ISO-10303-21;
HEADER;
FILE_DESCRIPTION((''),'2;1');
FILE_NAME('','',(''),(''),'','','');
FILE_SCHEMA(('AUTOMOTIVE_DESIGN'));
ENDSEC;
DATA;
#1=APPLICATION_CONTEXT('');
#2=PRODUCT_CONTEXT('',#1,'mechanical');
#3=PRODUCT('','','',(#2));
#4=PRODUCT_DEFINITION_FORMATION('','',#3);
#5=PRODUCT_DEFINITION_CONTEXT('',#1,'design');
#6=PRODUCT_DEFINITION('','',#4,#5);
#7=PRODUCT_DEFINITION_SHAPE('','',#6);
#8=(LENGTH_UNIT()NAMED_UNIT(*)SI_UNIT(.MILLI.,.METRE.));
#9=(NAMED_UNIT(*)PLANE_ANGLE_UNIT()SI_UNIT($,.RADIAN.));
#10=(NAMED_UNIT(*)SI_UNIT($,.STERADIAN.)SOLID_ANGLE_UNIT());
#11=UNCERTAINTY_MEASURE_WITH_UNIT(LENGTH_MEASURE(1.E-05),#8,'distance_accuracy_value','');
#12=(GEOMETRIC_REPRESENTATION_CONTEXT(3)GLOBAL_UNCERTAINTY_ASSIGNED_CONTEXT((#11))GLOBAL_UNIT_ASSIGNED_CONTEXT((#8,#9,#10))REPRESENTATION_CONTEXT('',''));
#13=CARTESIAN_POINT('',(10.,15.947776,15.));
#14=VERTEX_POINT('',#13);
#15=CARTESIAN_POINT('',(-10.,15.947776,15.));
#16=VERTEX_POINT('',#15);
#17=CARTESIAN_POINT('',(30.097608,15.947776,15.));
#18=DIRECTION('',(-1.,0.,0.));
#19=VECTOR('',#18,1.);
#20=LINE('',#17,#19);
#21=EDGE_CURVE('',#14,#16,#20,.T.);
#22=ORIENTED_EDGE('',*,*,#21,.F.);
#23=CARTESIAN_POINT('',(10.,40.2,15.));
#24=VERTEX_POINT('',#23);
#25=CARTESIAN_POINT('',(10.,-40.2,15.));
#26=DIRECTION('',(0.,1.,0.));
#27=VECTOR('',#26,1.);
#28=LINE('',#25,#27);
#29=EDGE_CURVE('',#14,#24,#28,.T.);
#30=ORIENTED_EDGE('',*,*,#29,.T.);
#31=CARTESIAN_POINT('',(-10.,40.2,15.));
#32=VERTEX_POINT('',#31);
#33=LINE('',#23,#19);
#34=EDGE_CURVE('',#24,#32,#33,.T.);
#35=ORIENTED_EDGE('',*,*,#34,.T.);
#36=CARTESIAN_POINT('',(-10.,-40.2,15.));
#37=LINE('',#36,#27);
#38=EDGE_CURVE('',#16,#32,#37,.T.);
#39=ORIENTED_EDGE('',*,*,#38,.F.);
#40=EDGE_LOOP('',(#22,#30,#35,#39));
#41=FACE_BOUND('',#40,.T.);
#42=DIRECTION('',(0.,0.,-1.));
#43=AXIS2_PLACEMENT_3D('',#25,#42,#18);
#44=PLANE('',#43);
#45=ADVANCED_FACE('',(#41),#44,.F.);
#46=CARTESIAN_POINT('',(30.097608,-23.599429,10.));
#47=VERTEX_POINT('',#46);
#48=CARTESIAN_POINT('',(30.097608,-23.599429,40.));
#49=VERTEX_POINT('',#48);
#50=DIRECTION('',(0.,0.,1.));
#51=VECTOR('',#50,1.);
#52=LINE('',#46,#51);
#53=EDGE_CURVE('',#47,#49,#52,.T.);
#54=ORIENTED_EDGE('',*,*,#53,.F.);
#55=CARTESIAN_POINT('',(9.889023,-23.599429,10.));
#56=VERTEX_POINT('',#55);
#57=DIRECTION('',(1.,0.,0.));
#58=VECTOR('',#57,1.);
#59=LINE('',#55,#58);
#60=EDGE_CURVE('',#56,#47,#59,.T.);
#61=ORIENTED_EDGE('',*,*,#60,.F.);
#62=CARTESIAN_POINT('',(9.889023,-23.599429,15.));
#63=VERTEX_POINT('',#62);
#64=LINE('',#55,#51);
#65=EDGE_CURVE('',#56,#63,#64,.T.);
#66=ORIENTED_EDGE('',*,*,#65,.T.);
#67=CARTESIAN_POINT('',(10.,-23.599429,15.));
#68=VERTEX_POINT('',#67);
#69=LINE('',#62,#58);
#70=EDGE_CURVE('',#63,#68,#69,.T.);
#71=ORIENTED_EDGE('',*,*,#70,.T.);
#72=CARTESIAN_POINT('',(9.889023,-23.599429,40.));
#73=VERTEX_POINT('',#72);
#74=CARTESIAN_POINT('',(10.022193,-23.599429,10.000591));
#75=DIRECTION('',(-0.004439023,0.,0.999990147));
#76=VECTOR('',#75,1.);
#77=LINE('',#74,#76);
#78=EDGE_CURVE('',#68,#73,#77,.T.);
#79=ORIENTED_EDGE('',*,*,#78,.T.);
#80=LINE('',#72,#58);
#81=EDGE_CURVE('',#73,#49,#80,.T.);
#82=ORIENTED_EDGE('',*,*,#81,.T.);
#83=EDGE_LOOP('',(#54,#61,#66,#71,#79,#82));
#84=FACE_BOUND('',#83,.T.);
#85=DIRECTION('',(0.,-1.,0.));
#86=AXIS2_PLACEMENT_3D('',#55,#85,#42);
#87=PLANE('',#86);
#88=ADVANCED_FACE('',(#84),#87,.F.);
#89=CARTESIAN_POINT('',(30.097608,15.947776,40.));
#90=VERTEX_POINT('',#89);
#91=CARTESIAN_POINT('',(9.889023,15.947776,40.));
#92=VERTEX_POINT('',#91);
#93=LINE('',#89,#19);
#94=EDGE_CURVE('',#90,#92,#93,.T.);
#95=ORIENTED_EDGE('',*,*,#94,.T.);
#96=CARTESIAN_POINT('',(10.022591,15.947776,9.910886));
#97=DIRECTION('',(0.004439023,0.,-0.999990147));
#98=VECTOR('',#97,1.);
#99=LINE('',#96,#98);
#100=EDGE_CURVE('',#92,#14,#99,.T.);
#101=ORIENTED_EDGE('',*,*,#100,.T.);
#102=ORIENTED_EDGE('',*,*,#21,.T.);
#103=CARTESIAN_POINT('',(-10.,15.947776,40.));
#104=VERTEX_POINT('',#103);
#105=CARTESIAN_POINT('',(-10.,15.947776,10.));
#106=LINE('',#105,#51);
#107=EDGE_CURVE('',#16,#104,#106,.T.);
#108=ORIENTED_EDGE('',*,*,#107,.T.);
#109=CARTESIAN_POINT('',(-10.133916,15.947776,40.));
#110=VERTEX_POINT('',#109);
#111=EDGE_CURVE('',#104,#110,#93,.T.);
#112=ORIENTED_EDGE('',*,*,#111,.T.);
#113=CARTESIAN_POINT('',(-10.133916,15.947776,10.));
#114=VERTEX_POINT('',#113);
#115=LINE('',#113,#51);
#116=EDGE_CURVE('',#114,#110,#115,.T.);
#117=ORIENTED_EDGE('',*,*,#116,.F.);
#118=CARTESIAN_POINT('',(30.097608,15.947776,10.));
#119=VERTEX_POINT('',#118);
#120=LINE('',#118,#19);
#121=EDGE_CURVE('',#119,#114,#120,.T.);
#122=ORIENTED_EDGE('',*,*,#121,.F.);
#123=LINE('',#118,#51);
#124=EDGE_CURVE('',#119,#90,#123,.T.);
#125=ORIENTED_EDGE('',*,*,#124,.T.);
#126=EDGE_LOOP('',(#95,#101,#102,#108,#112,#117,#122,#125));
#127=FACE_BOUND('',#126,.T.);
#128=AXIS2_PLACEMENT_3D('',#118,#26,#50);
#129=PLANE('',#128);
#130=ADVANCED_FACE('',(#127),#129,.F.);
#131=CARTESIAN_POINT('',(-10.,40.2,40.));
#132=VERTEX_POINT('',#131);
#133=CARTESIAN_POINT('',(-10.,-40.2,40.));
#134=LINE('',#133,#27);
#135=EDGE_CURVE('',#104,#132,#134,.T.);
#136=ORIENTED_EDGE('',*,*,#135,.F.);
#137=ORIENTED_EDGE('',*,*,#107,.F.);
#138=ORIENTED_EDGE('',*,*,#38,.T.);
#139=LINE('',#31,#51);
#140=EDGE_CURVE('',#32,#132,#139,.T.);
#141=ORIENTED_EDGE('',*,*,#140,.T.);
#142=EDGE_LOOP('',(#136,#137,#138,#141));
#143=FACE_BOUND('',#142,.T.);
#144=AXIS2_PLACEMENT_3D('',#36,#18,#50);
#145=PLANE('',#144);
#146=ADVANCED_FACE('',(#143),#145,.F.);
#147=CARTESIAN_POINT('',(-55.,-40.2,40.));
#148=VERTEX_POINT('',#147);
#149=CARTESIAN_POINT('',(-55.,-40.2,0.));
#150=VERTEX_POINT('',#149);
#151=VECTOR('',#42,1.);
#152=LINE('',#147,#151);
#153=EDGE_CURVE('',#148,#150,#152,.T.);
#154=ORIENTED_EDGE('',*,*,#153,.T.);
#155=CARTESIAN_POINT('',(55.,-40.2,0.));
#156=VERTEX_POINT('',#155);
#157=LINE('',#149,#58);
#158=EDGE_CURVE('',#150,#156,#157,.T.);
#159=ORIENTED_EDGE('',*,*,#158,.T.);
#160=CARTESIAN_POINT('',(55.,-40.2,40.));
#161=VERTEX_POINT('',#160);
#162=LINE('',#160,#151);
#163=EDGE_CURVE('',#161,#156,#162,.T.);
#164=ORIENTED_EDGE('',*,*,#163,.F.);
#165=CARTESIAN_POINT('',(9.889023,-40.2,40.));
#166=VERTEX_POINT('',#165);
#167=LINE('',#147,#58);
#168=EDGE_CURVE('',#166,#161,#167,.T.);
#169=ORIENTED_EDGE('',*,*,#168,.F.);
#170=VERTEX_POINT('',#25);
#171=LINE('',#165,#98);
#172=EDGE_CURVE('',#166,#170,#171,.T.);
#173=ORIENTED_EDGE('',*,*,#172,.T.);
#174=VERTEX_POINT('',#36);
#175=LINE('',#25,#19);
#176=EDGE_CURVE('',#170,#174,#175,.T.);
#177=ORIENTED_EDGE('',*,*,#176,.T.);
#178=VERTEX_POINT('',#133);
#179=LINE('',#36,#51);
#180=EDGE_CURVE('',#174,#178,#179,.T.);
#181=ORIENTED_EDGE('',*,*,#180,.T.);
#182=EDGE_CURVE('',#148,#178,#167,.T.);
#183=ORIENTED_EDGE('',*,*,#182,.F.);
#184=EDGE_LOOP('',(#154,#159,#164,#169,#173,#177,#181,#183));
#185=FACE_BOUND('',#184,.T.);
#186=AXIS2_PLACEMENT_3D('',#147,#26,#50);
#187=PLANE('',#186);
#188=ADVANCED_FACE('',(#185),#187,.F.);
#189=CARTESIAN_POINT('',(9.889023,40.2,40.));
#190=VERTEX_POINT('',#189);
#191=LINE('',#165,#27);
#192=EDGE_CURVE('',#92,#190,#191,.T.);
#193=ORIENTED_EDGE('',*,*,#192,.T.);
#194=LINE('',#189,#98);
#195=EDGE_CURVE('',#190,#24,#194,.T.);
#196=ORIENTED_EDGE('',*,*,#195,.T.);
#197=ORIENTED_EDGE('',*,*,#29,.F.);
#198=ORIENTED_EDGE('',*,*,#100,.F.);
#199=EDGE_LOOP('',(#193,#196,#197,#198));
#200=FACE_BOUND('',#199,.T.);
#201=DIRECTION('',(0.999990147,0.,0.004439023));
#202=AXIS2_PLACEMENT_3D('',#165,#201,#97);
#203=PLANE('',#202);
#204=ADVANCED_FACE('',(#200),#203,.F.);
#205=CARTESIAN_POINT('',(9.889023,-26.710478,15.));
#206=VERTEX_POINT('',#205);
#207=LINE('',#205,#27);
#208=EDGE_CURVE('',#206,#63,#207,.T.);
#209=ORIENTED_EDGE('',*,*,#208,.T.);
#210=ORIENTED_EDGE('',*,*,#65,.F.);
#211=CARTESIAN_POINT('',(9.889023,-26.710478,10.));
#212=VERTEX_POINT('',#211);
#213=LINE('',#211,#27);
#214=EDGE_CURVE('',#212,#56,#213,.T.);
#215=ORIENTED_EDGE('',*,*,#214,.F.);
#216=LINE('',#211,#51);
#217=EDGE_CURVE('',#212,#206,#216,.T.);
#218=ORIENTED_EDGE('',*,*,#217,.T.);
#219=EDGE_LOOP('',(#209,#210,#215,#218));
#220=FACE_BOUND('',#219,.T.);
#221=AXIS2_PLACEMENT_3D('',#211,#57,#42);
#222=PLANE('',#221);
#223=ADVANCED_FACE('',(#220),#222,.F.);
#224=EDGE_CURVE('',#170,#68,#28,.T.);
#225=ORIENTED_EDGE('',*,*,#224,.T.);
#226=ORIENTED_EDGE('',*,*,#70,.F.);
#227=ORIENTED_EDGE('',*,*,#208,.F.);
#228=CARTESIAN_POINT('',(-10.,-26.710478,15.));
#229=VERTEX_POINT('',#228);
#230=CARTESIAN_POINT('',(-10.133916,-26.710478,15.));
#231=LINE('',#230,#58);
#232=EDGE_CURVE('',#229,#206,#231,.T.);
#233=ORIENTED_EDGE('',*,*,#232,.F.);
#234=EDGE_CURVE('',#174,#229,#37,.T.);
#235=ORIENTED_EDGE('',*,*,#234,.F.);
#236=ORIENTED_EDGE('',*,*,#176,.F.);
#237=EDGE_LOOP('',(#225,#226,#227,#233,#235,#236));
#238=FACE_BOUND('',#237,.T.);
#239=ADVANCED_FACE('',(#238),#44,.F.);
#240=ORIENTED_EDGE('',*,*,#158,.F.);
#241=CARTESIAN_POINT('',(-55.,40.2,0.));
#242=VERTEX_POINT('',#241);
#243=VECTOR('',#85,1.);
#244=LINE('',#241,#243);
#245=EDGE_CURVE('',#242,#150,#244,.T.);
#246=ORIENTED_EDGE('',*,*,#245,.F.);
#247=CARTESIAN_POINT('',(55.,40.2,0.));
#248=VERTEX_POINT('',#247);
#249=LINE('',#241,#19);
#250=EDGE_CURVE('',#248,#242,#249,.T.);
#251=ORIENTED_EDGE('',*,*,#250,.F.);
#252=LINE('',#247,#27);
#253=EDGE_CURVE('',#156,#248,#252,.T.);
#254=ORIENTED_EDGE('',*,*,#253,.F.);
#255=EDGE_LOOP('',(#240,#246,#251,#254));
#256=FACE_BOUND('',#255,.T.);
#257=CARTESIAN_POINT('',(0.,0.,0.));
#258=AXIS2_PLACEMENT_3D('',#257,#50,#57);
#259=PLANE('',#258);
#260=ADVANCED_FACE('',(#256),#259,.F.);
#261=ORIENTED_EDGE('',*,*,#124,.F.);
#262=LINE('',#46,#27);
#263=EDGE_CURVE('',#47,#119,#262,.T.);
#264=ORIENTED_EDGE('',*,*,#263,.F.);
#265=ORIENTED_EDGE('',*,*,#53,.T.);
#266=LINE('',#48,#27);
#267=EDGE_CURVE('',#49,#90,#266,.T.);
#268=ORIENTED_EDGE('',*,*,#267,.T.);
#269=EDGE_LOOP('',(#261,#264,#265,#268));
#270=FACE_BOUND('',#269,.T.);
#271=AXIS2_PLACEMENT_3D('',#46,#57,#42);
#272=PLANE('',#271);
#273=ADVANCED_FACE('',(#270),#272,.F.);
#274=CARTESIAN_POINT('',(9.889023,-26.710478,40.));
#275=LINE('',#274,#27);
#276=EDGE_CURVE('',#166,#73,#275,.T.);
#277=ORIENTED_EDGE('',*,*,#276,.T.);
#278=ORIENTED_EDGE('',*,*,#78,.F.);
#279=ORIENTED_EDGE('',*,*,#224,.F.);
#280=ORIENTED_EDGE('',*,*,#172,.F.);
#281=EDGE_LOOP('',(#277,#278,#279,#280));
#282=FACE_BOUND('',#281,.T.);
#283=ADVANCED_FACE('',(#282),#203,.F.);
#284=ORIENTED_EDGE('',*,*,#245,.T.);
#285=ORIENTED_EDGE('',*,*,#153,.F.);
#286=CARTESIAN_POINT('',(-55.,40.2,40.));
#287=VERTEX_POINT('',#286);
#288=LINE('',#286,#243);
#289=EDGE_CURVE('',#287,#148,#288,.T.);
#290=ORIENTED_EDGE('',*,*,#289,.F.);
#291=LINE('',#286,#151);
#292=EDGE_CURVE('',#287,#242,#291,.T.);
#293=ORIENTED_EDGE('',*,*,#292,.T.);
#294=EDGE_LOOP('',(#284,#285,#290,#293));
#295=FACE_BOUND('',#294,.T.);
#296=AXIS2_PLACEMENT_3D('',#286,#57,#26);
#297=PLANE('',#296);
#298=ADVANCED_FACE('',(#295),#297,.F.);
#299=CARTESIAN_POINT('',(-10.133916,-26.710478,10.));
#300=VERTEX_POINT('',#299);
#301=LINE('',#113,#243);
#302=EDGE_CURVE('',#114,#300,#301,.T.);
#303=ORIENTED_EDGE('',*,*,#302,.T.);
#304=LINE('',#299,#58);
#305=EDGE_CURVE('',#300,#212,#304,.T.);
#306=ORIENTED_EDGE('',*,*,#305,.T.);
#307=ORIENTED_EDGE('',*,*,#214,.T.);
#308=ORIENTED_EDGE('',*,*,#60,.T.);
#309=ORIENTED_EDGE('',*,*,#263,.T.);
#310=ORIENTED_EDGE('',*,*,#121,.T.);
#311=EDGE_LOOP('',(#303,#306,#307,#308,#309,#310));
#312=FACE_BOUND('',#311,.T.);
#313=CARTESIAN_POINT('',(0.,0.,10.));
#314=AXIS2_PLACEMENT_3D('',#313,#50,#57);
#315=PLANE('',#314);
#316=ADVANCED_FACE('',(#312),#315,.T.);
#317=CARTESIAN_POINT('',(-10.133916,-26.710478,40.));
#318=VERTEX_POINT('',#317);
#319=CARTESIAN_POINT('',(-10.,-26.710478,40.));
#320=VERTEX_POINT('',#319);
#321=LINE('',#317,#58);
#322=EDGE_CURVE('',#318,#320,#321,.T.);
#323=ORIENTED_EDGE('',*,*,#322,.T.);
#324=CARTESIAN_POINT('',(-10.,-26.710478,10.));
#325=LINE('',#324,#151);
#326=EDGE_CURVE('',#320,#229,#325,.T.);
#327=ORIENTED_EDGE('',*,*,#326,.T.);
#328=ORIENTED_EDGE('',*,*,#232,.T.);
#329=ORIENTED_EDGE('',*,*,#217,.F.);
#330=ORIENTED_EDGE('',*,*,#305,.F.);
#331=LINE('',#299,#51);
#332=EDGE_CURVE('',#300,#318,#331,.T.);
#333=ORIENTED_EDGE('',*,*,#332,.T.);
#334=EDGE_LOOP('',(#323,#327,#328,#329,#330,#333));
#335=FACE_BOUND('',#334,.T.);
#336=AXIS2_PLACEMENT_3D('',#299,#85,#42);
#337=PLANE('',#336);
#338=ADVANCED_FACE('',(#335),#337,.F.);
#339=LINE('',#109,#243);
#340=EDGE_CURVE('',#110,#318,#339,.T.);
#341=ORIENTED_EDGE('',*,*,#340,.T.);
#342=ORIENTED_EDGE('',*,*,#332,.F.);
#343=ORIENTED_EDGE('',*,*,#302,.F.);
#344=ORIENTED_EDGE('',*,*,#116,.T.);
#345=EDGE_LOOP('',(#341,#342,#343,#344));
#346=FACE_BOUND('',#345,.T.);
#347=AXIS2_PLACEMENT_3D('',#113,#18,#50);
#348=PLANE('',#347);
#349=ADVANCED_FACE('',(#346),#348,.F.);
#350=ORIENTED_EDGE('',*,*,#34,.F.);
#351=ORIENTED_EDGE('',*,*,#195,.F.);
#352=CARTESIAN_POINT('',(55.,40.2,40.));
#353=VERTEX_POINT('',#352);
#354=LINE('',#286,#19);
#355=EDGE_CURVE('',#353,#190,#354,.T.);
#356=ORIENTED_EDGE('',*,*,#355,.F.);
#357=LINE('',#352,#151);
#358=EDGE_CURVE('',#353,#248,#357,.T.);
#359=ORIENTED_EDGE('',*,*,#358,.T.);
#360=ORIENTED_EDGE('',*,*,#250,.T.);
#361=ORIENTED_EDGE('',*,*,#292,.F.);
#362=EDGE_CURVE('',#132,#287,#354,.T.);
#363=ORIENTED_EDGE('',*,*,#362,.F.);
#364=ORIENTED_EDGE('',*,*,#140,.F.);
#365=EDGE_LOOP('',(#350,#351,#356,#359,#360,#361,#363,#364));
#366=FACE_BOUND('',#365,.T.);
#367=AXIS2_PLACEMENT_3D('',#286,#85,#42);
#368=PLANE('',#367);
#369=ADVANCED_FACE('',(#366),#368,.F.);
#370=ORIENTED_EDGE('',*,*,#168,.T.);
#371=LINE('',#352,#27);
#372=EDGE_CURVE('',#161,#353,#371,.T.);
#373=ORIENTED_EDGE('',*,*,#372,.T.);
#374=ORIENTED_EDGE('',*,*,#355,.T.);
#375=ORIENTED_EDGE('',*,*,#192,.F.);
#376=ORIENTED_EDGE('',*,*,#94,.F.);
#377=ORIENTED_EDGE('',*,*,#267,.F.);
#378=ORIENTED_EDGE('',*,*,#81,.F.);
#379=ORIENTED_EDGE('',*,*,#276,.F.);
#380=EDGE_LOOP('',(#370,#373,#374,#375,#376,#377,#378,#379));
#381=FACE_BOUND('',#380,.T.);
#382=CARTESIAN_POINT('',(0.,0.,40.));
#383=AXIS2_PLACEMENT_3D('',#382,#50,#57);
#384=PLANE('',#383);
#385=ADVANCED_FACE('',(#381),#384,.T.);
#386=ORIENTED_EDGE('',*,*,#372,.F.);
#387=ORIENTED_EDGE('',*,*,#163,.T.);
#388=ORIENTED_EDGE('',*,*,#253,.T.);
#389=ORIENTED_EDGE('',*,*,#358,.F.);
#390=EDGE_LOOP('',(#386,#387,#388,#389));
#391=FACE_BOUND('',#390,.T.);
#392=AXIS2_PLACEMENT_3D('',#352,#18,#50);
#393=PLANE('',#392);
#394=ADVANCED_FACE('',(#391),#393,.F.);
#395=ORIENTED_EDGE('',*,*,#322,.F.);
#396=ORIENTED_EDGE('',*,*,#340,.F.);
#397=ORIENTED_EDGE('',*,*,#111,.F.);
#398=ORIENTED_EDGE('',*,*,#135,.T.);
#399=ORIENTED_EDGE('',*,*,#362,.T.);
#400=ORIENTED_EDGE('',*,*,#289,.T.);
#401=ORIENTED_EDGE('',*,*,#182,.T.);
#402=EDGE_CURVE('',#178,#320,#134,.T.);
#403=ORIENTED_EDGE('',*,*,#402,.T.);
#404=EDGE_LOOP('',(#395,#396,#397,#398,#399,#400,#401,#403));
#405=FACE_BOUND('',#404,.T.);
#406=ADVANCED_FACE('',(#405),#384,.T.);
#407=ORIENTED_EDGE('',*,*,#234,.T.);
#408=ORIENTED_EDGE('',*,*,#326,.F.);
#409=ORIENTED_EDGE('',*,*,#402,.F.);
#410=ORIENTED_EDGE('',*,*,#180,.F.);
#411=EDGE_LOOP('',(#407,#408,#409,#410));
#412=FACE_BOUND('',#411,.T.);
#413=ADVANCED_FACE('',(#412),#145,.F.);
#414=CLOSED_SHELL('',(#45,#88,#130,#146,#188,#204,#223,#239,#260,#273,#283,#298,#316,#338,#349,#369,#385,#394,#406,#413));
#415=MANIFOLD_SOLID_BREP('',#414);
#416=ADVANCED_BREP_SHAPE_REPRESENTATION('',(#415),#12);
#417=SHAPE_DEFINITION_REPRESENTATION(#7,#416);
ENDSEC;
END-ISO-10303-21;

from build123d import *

# Parameters (mm, degrees)
IZIM1_W                     = 110
IZIM1_H                     = 80.4
Y_KSEKLIK_EKSTR_ZYON1_DEPTH = 40
KES_EKSTR_ZYON1_DEPTH       = 30
KES_EKSTR_ZYON2_DEPTH       = 106.305080599


with BuildPart() as part:
    # Çizim1 → Yükseklik-Ekstrüzyon1 (new body)
    with BuildSketch(Plane.XY):
        Rectangle(IZIM1_W, IZIM1_H)
    extrude(amount=Y_KSEKLIK_EKSTR_ZYON1_DEPTH)

    # Çizim2 → Kes-Ekstrüzyon1 (cut)
    with BuildSketch(Plane.XY.offset(40)):
        Polygon((30.097607873, 15.947775896), (-10.133916247, 15.947775896), (-10.133916247, -26.710477825), (9.889023344, -26.710477825), (9.889023344, -23.599429186), (30.097607873, -23.599429186), align=None)
    extrude(amount=-KES_EKSTR_ZYON1_DEPTH, mode=Mode.SUBTRACT)

    # Çizim3 → Kes-Ekstrüzyon2 (cut, through all)
    with BuildSketch(Plane(origin=(0, 40.2, 0), x_dir=(1, 0, 0), z_dir=(0, 1, 0))):
        Polygon((9.889023344, -40), (10, -15), (-10, -15), (-10, -40), align=None)
    extrude(amount=-KES_EKSTR_ZYON2_DEPTH, mode=Mode.SUBTRACT)


solid = part.part
